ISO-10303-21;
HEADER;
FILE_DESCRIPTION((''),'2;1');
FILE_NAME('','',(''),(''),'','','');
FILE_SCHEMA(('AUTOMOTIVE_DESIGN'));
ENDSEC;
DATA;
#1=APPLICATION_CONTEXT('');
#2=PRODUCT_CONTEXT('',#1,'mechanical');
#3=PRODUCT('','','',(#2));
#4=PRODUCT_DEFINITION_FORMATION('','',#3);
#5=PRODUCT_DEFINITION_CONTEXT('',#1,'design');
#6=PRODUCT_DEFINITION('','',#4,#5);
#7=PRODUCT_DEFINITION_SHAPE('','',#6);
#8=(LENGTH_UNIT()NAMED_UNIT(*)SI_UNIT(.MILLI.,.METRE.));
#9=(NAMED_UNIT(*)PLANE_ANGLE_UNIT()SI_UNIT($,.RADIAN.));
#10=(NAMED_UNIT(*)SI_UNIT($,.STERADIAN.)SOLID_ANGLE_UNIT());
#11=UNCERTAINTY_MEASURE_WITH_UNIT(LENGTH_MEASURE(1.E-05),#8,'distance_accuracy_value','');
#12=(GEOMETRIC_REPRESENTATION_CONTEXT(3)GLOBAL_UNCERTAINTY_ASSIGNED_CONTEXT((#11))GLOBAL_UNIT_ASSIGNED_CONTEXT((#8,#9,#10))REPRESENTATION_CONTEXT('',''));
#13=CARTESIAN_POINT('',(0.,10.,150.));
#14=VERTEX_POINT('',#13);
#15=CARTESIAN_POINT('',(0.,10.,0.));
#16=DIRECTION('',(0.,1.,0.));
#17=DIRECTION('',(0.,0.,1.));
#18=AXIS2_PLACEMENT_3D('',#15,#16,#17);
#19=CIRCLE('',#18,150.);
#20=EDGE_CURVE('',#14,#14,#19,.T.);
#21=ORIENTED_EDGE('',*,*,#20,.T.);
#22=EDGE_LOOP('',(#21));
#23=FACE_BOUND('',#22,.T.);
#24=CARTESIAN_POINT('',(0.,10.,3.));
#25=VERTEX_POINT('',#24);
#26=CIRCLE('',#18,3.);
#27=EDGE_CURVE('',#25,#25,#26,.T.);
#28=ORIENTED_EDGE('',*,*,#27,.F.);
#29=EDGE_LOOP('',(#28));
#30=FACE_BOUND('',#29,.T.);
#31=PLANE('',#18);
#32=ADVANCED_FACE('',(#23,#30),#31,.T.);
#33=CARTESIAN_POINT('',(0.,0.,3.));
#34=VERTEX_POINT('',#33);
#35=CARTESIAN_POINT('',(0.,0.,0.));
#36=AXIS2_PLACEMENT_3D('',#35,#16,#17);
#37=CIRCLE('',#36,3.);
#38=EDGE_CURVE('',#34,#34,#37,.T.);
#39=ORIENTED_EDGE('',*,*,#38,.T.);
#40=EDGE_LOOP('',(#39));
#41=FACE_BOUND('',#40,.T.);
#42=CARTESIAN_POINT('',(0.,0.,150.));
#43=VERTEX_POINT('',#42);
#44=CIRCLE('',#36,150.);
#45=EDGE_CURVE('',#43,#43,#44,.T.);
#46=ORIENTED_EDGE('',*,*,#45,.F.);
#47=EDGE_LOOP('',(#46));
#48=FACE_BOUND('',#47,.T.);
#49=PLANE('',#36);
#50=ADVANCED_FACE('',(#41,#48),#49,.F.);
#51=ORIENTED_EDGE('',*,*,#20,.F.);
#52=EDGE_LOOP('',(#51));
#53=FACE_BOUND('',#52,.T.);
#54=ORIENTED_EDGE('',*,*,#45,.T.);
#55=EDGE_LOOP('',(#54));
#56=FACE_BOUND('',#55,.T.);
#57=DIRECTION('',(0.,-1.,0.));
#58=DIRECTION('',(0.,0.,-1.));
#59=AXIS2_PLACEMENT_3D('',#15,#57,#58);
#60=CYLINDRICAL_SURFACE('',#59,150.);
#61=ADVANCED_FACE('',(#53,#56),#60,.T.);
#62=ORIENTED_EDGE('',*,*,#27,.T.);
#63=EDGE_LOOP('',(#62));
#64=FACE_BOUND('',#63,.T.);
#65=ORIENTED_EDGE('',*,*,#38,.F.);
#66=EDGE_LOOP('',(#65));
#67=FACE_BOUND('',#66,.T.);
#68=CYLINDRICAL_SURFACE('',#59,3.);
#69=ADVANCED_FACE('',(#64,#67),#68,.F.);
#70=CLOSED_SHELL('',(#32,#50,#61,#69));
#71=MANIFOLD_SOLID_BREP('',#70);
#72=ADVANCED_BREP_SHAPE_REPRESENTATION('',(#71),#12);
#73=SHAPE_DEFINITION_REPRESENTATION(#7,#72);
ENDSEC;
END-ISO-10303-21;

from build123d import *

# Parameters (mm, degrees)
SKETCH1_R           = 150
SKETCH1_R_2         = 3
BOSS_EXTRUDE1_DEPTH = 10


with BuildPart() as part:
    # Sketch1 → Boss-Extrude1 (new body)
    with BuildSketch(Plane(origin=(0, 0, 0), x_dir=(1, 0, 0), z_dir=(0, 1, 0))):
        Circle(SKETCH1_R)
        Circle(SKETCH1_R_2, mode=Mode.SUBTRACT)
    extrude(amount=BOSS_EXTRUDE1_DEPTH)


solid = part.part
